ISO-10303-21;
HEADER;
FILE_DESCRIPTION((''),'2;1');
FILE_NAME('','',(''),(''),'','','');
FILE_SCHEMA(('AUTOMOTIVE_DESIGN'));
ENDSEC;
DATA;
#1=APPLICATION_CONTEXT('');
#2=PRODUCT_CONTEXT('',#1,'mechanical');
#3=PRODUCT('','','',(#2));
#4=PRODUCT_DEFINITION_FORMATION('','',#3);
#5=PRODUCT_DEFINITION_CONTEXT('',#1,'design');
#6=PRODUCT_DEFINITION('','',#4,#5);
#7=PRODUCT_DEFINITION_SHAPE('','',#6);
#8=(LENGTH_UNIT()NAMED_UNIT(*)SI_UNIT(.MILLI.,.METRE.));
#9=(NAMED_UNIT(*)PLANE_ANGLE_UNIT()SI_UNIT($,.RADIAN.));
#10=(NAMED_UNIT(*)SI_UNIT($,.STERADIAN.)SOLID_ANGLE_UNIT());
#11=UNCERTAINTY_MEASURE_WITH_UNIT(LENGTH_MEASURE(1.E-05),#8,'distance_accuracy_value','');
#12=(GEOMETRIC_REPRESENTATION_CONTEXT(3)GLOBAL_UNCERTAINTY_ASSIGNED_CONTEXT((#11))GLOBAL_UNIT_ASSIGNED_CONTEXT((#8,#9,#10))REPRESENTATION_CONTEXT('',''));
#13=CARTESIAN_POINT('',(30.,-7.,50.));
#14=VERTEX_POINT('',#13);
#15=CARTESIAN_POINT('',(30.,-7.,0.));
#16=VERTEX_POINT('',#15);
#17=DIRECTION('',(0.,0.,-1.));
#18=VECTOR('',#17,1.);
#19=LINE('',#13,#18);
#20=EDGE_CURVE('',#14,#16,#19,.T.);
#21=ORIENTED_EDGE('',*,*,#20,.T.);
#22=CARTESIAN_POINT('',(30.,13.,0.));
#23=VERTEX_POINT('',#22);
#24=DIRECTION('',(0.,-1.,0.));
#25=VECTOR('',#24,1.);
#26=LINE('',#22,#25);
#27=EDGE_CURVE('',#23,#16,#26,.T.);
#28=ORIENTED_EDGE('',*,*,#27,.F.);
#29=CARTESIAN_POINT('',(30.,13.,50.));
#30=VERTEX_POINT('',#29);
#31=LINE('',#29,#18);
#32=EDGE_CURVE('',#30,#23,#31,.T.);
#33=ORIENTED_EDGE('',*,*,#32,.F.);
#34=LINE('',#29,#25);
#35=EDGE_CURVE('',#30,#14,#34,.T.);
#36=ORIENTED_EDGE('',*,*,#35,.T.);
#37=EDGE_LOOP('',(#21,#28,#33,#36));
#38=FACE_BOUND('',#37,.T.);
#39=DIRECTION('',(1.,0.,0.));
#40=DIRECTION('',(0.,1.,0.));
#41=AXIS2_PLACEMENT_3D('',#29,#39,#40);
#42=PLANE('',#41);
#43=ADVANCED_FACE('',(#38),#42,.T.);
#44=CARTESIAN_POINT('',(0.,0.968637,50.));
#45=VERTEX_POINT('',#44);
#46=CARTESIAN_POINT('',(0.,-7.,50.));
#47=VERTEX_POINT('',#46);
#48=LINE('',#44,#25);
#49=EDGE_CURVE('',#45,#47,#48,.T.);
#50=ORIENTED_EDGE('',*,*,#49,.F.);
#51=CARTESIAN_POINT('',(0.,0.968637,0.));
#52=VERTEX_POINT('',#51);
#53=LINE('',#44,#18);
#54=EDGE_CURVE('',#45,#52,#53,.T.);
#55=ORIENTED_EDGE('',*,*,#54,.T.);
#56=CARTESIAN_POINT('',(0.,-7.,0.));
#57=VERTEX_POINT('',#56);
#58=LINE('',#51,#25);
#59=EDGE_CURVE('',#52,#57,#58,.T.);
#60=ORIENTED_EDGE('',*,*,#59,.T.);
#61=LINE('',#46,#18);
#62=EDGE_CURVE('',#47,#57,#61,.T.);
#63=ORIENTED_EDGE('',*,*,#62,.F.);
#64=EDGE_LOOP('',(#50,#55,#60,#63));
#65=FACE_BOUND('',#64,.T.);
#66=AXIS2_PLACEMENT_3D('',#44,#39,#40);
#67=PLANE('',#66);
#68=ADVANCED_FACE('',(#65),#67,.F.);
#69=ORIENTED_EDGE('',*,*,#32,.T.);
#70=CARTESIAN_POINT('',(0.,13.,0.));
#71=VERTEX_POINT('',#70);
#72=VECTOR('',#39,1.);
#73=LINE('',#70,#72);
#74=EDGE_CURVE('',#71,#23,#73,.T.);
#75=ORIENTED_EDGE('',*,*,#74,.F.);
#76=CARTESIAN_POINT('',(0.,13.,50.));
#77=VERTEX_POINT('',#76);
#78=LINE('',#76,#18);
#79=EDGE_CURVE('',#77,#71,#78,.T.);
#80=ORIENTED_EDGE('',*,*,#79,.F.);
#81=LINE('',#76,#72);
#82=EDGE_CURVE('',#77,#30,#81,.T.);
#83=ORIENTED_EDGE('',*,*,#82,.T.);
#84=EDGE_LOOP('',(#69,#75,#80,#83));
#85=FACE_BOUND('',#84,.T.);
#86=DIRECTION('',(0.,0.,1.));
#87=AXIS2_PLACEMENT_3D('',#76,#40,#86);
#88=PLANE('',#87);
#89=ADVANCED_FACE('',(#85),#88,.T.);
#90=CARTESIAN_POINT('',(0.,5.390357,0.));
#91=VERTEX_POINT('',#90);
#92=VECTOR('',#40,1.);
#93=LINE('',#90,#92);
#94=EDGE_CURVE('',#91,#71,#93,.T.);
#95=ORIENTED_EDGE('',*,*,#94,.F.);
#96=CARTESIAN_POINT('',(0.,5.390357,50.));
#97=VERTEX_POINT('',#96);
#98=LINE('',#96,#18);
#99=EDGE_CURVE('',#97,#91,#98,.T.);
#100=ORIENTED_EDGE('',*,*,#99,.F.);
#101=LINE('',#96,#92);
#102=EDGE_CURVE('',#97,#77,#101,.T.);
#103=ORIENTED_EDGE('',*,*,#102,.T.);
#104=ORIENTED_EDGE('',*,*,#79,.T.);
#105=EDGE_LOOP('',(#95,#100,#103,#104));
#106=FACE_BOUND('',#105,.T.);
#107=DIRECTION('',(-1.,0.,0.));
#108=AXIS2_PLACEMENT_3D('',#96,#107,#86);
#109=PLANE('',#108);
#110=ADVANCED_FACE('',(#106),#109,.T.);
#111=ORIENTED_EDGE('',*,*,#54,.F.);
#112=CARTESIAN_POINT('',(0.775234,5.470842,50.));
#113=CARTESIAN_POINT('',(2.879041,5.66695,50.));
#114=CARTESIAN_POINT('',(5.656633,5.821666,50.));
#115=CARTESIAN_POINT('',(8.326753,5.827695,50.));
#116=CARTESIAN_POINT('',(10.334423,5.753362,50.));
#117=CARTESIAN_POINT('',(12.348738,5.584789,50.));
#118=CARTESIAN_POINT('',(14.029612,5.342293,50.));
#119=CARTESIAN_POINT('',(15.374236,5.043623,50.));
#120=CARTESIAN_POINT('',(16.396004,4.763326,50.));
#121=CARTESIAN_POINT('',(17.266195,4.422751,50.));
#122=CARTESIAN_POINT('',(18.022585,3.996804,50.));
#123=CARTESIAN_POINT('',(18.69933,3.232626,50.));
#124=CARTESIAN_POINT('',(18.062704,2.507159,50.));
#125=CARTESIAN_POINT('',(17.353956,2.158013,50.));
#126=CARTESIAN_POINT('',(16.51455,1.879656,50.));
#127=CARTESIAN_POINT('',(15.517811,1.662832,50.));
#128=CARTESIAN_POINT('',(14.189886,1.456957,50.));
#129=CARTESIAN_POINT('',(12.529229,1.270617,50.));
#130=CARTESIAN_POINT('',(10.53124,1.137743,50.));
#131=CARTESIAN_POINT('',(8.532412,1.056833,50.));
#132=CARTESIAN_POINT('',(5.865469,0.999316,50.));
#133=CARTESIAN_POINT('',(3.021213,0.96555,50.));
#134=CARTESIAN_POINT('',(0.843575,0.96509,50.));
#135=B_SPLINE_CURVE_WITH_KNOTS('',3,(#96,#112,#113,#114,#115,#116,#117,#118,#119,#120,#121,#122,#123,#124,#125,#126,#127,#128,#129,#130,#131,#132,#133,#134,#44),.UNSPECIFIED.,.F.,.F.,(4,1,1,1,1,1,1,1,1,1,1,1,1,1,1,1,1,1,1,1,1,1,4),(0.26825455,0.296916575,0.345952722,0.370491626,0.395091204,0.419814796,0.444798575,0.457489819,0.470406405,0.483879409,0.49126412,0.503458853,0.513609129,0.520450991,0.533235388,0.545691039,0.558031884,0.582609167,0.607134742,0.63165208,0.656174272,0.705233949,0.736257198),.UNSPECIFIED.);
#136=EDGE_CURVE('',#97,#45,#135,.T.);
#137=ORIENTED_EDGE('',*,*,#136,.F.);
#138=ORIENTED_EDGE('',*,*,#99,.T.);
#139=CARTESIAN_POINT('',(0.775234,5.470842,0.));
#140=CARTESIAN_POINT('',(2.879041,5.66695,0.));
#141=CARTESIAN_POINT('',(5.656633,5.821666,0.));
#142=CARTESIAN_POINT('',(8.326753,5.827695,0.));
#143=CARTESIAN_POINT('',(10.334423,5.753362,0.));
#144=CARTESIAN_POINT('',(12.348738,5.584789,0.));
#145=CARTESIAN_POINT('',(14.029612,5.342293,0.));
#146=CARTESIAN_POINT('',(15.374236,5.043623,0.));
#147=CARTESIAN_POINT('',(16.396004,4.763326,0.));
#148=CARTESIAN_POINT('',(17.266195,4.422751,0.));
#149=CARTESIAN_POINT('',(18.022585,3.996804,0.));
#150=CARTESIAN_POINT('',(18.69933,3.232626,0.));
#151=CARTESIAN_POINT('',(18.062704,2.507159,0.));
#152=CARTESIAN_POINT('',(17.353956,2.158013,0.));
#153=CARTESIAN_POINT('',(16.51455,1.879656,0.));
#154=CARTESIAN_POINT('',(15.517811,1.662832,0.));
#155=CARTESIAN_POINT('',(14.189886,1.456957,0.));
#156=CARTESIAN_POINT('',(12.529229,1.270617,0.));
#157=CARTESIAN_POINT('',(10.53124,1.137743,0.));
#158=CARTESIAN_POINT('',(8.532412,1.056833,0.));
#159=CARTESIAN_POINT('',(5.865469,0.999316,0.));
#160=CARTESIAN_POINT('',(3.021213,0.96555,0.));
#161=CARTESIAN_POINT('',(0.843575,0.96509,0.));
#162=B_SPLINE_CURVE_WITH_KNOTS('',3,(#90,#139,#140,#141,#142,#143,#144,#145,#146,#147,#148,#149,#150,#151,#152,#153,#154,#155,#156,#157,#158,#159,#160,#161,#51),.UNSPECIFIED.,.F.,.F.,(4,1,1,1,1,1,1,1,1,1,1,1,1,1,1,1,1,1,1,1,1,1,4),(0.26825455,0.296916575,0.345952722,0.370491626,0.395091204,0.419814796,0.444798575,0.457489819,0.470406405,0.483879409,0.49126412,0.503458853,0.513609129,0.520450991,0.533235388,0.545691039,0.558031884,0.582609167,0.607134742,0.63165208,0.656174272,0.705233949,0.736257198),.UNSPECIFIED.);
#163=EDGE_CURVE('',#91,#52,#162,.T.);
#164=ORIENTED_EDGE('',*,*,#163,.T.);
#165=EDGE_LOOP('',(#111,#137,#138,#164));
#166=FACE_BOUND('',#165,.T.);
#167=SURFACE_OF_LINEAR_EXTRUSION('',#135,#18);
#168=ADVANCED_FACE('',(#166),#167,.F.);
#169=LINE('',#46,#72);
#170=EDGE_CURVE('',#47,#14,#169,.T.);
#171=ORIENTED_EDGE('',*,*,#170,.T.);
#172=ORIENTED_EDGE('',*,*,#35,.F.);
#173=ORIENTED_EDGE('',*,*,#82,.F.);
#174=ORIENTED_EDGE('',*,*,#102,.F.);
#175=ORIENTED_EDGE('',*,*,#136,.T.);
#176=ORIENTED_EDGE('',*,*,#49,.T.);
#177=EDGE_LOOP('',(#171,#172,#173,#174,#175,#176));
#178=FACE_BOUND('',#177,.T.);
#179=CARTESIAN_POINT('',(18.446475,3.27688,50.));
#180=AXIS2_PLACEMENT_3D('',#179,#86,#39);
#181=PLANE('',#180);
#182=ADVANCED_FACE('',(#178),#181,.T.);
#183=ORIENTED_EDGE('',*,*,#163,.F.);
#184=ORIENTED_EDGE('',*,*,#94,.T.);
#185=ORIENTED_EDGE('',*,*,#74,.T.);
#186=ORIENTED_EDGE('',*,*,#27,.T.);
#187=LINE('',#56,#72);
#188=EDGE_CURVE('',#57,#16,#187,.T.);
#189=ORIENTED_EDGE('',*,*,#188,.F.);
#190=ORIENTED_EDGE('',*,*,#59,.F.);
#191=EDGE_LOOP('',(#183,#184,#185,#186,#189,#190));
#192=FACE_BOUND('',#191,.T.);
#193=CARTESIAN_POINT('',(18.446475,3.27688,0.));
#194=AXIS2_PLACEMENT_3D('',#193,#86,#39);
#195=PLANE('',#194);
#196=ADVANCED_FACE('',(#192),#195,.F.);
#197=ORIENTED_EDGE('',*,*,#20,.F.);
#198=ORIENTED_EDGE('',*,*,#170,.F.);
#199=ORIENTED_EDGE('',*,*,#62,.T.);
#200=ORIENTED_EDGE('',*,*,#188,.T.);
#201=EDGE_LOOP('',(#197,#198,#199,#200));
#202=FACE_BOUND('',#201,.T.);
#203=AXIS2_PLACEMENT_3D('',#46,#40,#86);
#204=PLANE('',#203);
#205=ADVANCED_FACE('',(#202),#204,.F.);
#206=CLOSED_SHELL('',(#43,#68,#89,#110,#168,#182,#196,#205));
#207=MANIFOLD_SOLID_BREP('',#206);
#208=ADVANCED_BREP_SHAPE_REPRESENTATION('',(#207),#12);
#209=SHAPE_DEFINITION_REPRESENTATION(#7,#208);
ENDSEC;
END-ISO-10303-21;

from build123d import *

# Parameters (mm, degrees)
BOSS_EXTRUDE1_DEPTH = 50


with BuildPart() as part:
    # Sketch2 → Boss-Extrude1 (new body)
    with BuildSketch(Plane(origin=(17.440169359, 0, 0), x_dir=(1, 0, 0), z_dir=(0, 0, 1))):
        with BuildLine():
            Line((-17.440169359, 5.390357249), (-17.440169359, 13))
            Line((-17.440169359, 13), (12.559830641, 13))
            Line((12.559830641, 13), (12.559830641, -7))
            Line((12.559830641, -7), (-17.440169359, -7))
            Line((-17.440169359, -7), (-17.440169359, 0.968636761))
            add(Edge.make_bspline(
                [(-17.440169359, 5.390357249), (-16.664935317, 5.470842163), (-14.561128732, 5.666949717), (-11.783536352, 5.82166567), (-9.113416762, 5.827694698), (-7.105746612, 5.753362438), (-5.091431247, 5.584789177), (-3.410557808, 5.342292949), (-2.065932962, 5.043623126), (-1.044165691, 4.763325517), (-0.173974218, 4.422751191), (0.582415766, 3.996804423), (1.259160843, 3.232625666), (0.622534676, 2.507159066), (-0.086213767, 2.158012907), (-0.925619146, 1.879655862), (-1.922357981, 1.662832148), (-3.250283182, 1.456957036), (-4.910940518, 1.270617037), (-6.908929533, 1.137743495), (-8.907757189, 1.056832807), (-11.574700423, 0.999315552), (-14.418956019, 0.965549806), (-16.596594173, 0.965089891), (-17.440169359, 0.968636761)],
                knots=[0.26825455, 0.26825455, 0.26825455, 0.26825455, 0.296916575, 0.345952722, 0.370491626, 0.395091204, 0.419814796, 0.444798575, 0.457489819, 0.470406405, 0.483879409, 0.49126412, 0.503458853, 0.513609129, 0.520450991, 0.533235388, 0.545691039, 0.558031884, 0.582609167, 0.607134742, 0.63165208, 0.656174272, 0.705233949, 0.736257198, 0.736257198, 0.736257198, 0.736257198], degree=3))
        make_face()
    extrude(amount=BOSS_EXTRUDE1_DEPTH)


solid = part.part
